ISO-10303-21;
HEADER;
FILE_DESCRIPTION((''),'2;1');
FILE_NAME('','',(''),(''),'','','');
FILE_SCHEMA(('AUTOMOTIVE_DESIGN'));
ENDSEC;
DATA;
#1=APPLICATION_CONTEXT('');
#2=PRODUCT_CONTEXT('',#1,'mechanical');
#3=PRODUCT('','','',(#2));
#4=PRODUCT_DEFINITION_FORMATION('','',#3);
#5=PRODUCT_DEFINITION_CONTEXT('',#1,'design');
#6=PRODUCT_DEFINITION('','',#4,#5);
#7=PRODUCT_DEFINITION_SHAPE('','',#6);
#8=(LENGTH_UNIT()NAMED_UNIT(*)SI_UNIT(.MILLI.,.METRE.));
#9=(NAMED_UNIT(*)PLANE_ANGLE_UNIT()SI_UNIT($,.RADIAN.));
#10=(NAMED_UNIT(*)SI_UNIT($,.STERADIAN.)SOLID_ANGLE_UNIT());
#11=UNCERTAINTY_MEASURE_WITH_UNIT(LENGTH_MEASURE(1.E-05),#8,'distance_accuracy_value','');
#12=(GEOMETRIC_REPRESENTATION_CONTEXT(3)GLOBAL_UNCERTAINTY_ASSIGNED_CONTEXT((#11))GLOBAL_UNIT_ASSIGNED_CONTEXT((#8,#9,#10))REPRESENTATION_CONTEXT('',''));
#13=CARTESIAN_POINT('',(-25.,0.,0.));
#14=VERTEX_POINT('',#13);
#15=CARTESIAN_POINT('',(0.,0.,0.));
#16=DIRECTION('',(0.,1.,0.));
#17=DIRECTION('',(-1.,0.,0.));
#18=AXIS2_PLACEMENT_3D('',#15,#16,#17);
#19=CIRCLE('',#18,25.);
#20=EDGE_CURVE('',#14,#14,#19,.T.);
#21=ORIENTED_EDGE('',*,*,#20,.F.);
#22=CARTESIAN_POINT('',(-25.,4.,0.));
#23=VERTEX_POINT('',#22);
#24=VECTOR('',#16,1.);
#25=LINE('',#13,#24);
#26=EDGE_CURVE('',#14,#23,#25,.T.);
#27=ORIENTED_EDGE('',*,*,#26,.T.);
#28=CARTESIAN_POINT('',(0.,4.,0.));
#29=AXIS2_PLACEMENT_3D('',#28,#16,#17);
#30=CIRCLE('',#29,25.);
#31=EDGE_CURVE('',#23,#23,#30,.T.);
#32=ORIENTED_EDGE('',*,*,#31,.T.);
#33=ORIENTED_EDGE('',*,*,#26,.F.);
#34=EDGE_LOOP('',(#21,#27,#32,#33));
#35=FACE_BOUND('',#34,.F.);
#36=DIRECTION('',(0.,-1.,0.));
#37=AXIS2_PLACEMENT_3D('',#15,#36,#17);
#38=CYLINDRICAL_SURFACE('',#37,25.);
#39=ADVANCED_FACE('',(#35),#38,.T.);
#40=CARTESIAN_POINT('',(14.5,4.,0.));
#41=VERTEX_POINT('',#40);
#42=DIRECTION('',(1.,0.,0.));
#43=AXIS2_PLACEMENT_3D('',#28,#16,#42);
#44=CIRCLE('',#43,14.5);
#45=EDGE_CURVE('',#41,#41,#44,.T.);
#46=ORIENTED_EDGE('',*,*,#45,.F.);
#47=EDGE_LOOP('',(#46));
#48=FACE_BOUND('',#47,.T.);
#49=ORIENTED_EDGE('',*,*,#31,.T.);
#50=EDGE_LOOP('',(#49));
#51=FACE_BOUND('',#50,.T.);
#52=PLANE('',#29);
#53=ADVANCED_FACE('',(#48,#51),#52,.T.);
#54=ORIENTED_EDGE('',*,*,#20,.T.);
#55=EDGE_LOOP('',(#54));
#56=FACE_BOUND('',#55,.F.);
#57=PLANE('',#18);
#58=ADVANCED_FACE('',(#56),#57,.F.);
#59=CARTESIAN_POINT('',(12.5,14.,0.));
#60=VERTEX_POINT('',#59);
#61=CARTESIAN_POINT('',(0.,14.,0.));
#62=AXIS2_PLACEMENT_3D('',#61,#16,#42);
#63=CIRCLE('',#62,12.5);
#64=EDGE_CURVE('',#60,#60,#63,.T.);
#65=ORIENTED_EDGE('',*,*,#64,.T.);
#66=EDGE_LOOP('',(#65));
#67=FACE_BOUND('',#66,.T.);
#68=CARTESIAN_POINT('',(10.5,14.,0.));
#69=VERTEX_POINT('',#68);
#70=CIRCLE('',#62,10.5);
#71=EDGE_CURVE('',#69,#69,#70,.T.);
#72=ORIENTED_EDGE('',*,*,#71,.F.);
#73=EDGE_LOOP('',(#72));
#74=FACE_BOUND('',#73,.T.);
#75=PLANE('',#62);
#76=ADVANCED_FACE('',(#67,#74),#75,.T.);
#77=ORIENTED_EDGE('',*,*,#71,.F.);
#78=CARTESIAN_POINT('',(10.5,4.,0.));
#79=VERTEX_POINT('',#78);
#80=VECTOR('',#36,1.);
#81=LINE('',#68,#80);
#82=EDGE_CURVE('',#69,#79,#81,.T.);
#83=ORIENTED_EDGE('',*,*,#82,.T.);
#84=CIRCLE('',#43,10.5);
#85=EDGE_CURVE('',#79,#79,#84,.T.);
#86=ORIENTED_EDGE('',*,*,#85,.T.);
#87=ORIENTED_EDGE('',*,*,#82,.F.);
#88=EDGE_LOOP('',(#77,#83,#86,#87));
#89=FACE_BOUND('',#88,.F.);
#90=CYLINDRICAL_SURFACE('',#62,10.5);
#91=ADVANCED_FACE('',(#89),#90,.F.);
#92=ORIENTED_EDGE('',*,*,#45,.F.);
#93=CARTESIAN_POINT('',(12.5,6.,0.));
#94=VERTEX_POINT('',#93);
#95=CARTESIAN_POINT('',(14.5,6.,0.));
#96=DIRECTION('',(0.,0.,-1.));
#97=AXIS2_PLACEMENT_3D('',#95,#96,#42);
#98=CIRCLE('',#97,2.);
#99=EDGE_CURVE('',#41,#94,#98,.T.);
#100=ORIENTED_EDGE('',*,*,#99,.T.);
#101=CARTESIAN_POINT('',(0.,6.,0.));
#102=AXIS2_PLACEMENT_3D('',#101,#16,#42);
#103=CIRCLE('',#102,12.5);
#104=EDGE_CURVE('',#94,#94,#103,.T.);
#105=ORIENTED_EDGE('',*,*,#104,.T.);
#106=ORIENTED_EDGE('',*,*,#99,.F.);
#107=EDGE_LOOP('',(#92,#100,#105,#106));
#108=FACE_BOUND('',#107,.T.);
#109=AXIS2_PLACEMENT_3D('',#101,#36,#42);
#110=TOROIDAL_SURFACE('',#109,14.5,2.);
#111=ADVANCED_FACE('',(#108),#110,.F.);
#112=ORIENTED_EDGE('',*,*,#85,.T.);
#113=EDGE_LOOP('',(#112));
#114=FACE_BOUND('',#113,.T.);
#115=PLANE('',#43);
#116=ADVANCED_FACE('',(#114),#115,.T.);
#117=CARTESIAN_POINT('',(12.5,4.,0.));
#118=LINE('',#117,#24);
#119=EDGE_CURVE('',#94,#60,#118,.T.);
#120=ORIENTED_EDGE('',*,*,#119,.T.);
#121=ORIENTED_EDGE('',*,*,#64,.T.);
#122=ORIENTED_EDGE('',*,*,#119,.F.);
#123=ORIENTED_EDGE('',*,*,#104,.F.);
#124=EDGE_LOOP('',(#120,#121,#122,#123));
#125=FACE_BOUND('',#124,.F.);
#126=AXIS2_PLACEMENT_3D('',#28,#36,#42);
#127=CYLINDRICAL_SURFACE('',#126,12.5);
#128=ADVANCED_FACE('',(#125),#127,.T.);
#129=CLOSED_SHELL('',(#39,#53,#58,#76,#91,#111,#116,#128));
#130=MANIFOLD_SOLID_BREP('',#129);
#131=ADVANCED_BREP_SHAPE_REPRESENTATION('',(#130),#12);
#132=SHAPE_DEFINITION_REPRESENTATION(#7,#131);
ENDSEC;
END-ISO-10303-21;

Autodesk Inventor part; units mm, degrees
ref_plane "YZ Plane" through (0, 0, 0) normal (1, 0, 0) x (0, 1, 0)
ref_plane "XZ Plane" through (0, 0, 0) normal (0, 1, 0) x (-1, 0, 0)
ref_plane "XY Plane" through (0, 0, 0) normal (0, 0, 1) x (1, 0, 0)
sketch "Sketch1" plane through (0, 0, 0) normal (0, 1, 0) x (-1, 0, 0)
  circle A0 centre (0, 0) radius 25
  dimension "d0" = 50
extrude "Extrusion1" add sketch "Sketch1" along normal blind 4
sketch "Sketch2" plane through (0, 4, 0) normal (0, 1, 0) x (1, 0, 0)
  circle A0 centre (0, 0) radius 12.5
  dimension "d3" = 25
extrude "Extrusion2" add sketch "Sketch2" along normal blind 10
sketch "Sketch3" plane through (0, 14, 0) normal (0, 1, 0) x (1, 0, 0)
  circle A0 centre (0, 0) radius 10.5
  dimension "d6" = 21
extrude "Extrusion3" cut sketch "Sketch3" against normal blind 10
fillet "Fillet1" radius 2 1 edges at (-12.5, 4, 0)
properties part number "Brida"
